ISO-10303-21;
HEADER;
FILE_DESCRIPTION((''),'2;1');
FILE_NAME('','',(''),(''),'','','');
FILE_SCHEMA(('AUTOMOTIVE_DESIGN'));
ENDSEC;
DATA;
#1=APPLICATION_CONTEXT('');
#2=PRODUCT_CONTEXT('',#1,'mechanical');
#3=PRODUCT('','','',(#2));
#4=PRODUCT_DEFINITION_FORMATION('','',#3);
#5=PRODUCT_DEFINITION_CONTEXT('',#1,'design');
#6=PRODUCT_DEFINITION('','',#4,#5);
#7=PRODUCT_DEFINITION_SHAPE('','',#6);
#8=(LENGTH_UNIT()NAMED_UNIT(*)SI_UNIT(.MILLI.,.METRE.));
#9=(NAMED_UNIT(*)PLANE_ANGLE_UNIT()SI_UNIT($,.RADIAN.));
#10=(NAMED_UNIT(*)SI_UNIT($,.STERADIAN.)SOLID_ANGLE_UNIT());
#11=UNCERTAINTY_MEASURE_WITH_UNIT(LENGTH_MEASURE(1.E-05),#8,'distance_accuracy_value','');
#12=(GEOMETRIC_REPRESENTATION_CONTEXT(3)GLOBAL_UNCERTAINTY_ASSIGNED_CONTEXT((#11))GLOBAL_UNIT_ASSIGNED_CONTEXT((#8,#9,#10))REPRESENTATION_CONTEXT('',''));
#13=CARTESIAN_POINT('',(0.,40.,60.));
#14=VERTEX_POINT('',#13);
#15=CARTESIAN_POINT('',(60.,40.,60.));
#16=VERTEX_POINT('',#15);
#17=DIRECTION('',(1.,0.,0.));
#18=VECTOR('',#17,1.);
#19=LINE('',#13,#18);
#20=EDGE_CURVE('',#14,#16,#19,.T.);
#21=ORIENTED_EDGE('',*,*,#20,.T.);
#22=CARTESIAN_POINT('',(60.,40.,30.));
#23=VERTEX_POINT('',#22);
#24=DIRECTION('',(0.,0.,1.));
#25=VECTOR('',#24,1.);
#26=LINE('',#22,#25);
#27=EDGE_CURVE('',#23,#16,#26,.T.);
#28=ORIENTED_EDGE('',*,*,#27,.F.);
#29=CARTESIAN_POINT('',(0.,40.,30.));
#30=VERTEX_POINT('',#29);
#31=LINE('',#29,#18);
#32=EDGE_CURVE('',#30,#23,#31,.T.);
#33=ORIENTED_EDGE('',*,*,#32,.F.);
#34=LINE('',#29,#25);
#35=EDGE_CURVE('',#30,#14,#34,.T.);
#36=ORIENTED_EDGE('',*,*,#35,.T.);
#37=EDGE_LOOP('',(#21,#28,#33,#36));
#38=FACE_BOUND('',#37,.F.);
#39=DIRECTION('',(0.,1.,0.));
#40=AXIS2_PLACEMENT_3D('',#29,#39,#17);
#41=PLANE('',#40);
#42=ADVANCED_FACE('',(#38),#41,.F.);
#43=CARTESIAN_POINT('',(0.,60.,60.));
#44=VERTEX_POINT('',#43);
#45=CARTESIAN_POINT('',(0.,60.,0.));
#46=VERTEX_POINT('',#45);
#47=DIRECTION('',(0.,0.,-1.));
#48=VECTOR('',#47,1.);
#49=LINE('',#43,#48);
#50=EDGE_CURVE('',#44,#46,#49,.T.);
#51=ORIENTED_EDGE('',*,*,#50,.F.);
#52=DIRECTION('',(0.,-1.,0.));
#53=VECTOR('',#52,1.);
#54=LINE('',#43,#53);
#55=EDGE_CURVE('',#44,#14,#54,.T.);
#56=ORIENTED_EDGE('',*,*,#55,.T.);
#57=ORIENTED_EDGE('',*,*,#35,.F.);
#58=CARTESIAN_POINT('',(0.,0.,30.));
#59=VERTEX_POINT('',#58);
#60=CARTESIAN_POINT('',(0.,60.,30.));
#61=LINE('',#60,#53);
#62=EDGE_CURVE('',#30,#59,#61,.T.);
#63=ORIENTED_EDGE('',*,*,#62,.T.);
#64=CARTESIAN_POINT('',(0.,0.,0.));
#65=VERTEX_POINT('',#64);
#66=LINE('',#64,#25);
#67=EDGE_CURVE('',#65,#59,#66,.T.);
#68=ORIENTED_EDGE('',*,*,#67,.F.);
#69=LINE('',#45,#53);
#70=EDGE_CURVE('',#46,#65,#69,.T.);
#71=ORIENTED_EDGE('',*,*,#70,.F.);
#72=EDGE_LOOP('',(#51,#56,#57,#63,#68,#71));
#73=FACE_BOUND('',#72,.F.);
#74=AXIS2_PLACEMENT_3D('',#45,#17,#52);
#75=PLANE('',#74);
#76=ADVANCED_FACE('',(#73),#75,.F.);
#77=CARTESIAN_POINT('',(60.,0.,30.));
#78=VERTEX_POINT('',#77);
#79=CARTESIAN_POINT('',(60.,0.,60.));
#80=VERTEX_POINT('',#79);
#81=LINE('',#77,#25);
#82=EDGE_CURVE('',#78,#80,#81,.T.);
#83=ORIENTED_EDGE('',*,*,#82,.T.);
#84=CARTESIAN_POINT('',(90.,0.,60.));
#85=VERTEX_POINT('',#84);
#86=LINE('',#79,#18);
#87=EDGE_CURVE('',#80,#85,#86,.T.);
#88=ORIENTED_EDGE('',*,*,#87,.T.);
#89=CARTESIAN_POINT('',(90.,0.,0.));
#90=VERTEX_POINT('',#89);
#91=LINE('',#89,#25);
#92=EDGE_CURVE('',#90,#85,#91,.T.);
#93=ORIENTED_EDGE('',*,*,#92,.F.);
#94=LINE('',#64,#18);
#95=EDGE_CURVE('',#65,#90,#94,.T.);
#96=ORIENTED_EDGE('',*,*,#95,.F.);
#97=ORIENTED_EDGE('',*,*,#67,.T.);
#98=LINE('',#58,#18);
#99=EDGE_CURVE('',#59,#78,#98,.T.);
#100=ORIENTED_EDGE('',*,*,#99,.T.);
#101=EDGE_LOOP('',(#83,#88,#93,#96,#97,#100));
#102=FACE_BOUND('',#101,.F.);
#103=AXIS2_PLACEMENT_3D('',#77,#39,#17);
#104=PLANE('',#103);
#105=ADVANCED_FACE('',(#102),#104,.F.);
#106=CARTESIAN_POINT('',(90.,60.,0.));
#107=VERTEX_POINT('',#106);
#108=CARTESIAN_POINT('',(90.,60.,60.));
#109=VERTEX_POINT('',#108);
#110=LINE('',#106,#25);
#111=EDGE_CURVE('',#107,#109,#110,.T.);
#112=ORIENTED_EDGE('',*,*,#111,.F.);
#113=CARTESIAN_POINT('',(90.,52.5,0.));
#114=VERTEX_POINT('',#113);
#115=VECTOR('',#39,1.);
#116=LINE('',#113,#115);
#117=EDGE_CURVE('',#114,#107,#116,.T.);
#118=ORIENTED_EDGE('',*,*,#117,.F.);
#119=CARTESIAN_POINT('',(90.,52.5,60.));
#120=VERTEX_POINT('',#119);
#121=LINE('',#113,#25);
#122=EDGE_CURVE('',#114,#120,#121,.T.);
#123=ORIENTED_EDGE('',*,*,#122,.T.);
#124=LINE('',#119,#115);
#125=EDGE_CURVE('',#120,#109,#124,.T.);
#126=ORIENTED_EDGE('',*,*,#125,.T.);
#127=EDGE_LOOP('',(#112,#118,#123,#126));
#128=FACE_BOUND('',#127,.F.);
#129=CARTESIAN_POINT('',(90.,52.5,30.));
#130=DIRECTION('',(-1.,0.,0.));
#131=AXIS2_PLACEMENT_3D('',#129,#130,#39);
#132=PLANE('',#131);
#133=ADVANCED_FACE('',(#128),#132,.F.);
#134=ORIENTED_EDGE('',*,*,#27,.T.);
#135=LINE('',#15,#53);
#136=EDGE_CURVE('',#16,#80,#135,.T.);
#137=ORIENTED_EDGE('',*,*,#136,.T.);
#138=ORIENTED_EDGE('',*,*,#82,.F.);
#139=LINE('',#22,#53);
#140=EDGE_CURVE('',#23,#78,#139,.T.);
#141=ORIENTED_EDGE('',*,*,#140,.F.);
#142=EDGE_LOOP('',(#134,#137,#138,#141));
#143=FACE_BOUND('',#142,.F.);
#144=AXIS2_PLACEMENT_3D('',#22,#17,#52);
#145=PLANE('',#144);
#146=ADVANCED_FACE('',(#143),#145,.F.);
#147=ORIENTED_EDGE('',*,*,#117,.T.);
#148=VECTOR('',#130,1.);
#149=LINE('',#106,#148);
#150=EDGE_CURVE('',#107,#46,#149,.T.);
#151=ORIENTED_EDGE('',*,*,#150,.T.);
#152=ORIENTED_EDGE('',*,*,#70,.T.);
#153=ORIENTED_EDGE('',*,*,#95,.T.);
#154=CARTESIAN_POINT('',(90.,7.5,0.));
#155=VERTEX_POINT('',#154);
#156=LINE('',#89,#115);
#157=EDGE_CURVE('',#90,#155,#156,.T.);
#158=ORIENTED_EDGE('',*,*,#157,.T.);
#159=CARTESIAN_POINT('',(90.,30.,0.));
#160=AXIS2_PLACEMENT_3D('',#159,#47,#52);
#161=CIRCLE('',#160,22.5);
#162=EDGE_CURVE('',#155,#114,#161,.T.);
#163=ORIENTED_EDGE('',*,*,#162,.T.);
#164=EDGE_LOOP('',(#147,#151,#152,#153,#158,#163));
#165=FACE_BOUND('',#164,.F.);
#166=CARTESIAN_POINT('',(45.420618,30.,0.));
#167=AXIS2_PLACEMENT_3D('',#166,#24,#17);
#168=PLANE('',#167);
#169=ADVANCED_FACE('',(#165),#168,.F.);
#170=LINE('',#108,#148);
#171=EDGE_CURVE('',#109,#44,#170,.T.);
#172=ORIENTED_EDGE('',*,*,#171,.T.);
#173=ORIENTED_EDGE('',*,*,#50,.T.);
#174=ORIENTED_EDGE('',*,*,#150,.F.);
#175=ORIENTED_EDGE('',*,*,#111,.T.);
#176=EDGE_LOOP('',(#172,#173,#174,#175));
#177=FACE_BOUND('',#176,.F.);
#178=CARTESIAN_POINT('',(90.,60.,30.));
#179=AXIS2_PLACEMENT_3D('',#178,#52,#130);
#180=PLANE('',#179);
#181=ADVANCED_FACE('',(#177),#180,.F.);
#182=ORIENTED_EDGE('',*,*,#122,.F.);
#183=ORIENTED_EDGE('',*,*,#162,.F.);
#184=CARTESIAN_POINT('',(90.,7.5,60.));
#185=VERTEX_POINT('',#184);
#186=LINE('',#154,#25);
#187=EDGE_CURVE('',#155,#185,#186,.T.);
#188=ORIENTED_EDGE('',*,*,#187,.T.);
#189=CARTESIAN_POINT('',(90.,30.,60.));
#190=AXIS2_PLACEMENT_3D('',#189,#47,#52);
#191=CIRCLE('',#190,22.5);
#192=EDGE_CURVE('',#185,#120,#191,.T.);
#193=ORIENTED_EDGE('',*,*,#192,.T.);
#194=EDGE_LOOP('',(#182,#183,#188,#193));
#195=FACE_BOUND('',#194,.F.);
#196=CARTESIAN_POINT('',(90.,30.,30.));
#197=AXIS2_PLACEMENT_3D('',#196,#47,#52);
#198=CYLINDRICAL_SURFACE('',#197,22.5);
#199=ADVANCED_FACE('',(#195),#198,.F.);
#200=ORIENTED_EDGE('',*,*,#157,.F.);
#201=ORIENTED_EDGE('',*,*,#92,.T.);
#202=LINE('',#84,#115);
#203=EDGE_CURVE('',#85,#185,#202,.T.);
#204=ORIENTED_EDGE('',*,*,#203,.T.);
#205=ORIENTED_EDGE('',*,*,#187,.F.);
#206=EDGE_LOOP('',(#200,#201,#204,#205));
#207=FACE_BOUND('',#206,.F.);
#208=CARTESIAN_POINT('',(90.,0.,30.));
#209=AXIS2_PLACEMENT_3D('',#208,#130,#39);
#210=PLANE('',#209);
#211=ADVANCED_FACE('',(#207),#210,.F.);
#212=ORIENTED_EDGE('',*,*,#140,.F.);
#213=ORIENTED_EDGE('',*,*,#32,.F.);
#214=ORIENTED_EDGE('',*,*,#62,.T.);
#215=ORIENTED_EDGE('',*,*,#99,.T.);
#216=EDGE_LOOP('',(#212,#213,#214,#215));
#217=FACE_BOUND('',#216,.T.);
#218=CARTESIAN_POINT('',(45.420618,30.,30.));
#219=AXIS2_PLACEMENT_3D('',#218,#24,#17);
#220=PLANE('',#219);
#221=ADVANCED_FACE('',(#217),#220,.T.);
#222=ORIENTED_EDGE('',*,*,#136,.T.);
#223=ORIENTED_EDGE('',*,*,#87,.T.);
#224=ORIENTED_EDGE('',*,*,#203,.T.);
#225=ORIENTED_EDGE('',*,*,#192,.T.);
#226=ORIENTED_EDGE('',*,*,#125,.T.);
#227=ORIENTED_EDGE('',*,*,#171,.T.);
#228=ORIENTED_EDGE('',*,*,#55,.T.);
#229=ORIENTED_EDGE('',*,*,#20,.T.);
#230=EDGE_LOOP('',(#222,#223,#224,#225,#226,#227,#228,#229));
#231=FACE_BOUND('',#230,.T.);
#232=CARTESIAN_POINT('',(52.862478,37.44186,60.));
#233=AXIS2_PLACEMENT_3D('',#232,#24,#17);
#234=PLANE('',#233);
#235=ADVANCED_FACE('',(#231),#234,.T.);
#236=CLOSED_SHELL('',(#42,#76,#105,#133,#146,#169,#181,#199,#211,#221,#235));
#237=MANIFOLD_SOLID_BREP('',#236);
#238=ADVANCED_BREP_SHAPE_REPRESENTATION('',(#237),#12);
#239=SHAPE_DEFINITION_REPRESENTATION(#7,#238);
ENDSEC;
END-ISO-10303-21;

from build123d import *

# Parameters (mm, degrees)
F1_DEPTH = 30
F3_DEPTH = 30


with BuildPart() as f1:
    # F0 (on Top) → F1 (new body)
    with BuildSketch(Plane.XY):
        with BuildLine():
            Line((0, 60), (0, 0))
            Line((0, 0), (90, 0))
            Line((90, 0), (90, 7.5))
            ThreePointArc((90, 7.5), (67.5, 30), (90, 52.5))
            Line((90, 52.5), (90, 60))
            Line((90, 60), (0, 60))
        make_face()
    extrude(amount=F1_DEPTH)

    # F2 (on face) → F3 (join)
    with BuildSketch(Plane.XY.offset(30)):
        with BuildLine():
            Line((60, 0), (90, 0))
            Line((90, 0), (90, 7.5))
            ThreePointArc((90, 7.5), (67.5, 30), (90, 52.5))
            Line((90, 52.5), (90, 60))
            Line((90, 60), (0, 60))
            Line((0, 60), (0, 40))
            Line((0, 40), (60, 40))
            Line((60, 40), (60, 0))
        make_face()
    extrude(amount=F3_DEPTH)


solid = f1.part
